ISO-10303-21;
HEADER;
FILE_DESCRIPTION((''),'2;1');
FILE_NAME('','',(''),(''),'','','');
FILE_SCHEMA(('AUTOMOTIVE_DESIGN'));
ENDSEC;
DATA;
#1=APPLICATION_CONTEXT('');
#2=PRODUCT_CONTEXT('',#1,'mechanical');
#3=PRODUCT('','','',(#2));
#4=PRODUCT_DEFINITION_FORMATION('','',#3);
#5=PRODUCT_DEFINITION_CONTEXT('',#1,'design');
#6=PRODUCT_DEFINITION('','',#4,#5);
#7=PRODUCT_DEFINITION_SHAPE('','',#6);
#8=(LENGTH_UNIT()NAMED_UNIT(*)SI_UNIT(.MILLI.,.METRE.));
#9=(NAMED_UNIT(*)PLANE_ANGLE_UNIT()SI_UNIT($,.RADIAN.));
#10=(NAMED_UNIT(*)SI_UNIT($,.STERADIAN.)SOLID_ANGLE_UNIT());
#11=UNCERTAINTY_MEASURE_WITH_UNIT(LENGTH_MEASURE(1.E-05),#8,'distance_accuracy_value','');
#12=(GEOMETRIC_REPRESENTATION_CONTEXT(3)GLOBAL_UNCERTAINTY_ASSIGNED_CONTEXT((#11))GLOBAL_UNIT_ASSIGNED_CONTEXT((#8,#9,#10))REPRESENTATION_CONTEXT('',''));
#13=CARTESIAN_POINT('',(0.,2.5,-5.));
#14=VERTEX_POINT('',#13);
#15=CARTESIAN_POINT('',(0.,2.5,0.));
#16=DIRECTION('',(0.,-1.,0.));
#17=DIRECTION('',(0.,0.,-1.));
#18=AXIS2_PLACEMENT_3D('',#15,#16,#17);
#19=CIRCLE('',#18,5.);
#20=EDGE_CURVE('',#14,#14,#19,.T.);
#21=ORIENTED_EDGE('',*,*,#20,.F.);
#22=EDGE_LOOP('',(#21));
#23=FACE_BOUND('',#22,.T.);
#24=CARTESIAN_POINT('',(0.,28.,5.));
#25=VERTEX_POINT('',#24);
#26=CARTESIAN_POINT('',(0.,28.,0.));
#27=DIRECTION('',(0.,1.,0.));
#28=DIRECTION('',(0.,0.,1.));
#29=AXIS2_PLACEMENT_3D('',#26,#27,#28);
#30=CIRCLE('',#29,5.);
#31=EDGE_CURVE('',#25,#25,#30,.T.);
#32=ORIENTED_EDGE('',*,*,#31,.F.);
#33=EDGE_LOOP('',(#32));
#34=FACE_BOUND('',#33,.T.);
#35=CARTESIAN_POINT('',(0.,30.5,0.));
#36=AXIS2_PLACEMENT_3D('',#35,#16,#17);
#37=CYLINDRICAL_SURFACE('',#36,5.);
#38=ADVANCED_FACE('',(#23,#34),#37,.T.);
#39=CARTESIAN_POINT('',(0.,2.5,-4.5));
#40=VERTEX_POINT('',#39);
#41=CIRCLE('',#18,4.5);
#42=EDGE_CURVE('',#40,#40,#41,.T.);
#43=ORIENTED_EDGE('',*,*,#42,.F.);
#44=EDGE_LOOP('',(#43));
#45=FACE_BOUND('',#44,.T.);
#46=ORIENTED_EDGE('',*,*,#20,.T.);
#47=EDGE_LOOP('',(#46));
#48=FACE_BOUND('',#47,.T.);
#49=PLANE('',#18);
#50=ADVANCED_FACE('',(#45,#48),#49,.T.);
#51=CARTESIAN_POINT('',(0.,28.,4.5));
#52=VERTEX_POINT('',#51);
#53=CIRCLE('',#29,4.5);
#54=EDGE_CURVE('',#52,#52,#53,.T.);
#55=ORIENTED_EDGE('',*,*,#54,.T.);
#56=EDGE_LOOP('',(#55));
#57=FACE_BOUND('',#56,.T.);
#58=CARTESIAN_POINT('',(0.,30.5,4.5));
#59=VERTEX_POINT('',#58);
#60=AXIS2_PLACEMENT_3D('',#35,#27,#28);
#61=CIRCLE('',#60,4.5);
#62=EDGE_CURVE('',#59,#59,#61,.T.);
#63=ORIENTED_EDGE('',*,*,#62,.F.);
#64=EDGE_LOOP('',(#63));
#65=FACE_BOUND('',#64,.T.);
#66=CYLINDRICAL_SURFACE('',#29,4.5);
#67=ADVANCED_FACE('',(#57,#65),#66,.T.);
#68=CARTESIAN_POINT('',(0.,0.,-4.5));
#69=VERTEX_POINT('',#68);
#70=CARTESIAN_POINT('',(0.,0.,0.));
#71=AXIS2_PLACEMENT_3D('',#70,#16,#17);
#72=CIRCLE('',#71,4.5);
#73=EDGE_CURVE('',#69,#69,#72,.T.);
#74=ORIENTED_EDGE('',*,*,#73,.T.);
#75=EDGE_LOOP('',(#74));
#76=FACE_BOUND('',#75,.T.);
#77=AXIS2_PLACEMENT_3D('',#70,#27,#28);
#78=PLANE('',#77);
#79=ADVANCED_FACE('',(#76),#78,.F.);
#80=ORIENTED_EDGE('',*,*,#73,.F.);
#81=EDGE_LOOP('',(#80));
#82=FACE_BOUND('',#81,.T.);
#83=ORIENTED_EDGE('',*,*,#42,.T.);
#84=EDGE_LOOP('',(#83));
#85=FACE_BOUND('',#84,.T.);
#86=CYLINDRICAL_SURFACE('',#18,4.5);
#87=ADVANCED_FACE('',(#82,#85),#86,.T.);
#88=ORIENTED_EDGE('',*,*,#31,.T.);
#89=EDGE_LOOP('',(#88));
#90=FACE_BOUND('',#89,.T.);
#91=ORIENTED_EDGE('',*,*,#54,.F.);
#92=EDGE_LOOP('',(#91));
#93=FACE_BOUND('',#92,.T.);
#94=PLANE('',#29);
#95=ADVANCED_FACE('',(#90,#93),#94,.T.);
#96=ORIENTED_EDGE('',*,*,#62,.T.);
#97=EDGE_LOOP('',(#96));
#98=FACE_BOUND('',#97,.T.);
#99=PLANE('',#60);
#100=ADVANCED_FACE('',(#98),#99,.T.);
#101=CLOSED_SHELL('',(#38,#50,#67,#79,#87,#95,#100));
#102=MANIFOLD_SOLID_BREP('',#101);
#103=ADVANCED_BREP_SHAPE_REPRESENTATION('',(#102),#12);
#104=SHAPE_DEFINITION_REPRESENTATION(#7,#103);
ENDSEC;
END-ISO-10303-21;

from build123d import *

# Parameters (mm, degrees)
SKETCH1_R           = 5
BOSS_EXTRUDE1_DEPTH = 30.5
SKETCH24_R          = 5
SKETCH24_R_2        = 4.5
CUT_EXTRUDE3_DEPTH  = 2.5
SKETCH25_R          = 5
SKETCH25_R_2        = 4.5
CUT_EXTRUDE4_DEPTH  = 2.5


with BuildPart() as part:
    # Sketch1 → Boss-Extrude1 (new body)
    with BuildSketch(Plane(origin=(0, 0, 0), x_dir=(1, 0, 0), z_dir=(0, 1, 0))):
        Circle(SKETCH1_R)
    extrude(amount=BOSS_EXTRUDE1_DEPTH)

    # Sketch24 → Cut-Extrude3 (cut)
    with BuildSketch(Plane(origin=(0, 0, 0), x_dir=(-1, 0, 0), z_dir=(0, -1, 0))):
        Circle(SKETCH24_R)
        Circle(SKETCH24_R_2, mode=Mode.SUBTRACT)
    extrude(amount=-CUT_EXTRUDE3_DEPTH, mode=Mode.SUBTRACT)

    # Sketch25 → Cut-Extrude4 (cut)
    with BuildSketch(Plane(origin=(0, 30.5, 0), x_dir=(1, 0, 0), z_dir=(0, 1, 0))):
        Circle(SKETCH25_R)
        Circle(SKETCH25_R_2, mode=Mode.SUBTRACT)
    extrude(amount=-CUT_EXTRUDE4_DEPTH, mode=Mode.SUBTRACT)


solid = part.part
